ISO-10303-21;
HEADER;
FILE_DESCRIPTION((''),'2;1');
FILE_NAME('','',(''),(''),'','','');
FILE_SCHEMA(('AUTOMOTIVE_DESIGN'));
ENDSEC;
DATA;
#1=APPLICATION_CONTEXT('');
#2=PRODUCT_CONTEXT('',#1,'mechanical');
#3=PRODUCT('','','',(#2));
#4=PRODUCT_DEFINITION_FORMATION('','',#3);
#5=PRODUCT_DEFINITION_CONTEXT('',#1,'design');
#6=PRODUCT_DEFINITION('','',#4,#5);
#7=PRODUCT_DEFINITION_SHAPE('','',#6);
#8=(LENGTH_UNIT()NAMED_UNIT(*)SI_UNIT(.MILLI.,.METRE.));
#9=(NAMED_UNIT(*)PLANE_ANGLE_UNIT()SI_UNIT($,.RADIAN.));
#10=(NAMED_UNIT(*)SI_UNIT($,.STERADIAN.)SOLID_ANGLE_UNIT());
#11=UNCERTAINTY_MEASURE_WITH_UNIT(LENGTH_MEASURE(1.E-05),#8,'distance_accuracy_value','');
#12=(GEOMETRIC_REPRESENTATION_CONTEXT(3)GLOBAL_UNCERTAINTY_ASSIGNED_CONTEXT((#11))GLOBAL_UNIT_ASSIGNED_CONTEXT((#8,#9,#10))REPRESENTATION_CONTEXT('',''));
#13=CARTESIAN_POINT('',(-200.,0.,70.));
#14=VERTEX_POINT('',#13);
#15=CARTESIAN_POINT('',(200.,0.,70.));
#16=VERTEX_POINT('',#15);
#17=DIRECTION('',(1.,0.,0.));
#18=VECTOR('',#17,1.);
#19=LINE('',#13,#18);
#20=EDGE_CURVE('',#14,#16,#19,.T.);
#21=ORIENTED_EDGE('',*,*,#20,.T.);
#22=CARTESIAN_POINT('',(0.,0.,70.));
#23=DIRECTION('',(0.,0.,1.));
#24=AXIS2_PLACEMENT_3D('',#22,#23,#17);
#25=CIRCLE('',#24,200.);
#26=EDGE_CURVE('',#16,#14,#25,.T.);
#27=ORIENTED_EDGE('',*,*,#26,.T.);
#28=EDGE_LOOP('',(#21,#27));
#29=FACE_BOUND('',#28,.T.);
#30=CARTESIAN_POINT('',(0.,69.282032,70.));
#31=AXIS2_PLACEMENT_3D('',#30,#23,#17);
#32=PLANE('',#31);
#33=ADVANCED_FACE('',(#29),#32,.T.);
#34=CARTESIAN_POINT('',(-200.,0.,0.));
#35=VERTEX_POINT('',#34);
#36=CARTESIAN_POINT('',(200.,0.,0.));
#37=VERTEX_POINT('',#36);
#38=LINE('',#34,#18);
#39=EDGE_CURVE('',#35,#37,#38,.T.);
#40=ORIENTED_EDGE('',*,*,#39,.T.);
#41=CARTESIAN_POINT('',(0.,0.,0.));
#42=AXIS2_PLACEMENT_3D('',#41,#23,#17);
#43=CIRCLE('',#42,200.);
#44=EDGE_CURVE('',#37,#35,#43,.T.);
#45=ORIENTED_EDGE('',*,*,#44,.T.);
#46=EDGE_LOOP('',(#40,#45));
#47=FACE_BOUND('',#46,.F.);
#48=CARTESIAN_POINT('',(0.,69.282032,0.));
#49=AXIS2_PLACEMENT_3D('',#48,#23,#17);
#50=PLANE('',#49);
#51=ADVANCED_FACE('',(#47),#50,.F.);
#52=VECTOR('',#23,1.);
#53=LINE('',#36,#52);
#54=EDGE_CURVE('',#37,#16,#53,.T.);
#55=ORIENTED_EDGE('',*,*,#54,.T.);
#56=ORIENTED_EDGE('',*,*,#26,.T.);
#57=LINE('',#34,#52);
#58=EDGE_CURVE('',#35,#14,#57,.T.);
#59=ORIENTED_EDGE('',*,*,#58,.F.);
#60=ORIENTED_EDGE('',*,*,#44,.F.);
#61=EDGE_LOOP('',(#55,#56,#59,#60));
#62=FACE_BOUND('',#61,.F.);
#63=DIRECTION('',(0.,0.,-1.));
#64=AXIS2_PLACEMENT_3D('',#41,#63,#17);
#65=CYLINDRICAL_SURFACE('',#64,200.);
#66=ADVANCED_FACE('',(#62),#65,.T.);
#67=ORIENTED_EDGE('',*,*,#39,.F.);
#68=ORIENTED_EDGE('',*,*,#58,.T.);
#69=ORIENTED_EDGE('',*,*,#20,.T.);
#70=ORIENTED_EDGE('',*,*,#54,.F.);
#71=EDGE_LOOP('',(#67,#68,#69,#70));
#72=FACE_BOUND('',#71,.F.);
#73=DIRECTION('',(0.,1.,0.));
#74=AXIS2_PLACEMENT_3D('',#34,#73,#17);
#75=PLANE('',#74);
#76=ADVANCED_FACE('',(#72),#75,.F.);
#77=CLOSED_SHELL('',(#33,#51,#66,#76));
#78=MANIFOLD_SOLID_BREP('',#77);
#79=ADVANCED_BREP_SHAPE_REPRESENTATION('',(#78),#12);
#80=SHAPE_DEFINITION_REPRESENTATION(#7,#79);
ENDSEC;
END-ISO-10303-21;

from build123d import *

# Parameters (mm, degrees)
PAD_DEPTH = 70


with BuildPart() as part:
    # Sketch → Pad (new body)
    with BuildSketch(Plane.XY):
        with BuildLine():
            ThreePointArc((200, 0), (0, 200), (-200, 0))
            Line((-200, 0), (200, 0))
        make_face()
    extrude(amount=PAD_DEPTH)


solid = part.part
